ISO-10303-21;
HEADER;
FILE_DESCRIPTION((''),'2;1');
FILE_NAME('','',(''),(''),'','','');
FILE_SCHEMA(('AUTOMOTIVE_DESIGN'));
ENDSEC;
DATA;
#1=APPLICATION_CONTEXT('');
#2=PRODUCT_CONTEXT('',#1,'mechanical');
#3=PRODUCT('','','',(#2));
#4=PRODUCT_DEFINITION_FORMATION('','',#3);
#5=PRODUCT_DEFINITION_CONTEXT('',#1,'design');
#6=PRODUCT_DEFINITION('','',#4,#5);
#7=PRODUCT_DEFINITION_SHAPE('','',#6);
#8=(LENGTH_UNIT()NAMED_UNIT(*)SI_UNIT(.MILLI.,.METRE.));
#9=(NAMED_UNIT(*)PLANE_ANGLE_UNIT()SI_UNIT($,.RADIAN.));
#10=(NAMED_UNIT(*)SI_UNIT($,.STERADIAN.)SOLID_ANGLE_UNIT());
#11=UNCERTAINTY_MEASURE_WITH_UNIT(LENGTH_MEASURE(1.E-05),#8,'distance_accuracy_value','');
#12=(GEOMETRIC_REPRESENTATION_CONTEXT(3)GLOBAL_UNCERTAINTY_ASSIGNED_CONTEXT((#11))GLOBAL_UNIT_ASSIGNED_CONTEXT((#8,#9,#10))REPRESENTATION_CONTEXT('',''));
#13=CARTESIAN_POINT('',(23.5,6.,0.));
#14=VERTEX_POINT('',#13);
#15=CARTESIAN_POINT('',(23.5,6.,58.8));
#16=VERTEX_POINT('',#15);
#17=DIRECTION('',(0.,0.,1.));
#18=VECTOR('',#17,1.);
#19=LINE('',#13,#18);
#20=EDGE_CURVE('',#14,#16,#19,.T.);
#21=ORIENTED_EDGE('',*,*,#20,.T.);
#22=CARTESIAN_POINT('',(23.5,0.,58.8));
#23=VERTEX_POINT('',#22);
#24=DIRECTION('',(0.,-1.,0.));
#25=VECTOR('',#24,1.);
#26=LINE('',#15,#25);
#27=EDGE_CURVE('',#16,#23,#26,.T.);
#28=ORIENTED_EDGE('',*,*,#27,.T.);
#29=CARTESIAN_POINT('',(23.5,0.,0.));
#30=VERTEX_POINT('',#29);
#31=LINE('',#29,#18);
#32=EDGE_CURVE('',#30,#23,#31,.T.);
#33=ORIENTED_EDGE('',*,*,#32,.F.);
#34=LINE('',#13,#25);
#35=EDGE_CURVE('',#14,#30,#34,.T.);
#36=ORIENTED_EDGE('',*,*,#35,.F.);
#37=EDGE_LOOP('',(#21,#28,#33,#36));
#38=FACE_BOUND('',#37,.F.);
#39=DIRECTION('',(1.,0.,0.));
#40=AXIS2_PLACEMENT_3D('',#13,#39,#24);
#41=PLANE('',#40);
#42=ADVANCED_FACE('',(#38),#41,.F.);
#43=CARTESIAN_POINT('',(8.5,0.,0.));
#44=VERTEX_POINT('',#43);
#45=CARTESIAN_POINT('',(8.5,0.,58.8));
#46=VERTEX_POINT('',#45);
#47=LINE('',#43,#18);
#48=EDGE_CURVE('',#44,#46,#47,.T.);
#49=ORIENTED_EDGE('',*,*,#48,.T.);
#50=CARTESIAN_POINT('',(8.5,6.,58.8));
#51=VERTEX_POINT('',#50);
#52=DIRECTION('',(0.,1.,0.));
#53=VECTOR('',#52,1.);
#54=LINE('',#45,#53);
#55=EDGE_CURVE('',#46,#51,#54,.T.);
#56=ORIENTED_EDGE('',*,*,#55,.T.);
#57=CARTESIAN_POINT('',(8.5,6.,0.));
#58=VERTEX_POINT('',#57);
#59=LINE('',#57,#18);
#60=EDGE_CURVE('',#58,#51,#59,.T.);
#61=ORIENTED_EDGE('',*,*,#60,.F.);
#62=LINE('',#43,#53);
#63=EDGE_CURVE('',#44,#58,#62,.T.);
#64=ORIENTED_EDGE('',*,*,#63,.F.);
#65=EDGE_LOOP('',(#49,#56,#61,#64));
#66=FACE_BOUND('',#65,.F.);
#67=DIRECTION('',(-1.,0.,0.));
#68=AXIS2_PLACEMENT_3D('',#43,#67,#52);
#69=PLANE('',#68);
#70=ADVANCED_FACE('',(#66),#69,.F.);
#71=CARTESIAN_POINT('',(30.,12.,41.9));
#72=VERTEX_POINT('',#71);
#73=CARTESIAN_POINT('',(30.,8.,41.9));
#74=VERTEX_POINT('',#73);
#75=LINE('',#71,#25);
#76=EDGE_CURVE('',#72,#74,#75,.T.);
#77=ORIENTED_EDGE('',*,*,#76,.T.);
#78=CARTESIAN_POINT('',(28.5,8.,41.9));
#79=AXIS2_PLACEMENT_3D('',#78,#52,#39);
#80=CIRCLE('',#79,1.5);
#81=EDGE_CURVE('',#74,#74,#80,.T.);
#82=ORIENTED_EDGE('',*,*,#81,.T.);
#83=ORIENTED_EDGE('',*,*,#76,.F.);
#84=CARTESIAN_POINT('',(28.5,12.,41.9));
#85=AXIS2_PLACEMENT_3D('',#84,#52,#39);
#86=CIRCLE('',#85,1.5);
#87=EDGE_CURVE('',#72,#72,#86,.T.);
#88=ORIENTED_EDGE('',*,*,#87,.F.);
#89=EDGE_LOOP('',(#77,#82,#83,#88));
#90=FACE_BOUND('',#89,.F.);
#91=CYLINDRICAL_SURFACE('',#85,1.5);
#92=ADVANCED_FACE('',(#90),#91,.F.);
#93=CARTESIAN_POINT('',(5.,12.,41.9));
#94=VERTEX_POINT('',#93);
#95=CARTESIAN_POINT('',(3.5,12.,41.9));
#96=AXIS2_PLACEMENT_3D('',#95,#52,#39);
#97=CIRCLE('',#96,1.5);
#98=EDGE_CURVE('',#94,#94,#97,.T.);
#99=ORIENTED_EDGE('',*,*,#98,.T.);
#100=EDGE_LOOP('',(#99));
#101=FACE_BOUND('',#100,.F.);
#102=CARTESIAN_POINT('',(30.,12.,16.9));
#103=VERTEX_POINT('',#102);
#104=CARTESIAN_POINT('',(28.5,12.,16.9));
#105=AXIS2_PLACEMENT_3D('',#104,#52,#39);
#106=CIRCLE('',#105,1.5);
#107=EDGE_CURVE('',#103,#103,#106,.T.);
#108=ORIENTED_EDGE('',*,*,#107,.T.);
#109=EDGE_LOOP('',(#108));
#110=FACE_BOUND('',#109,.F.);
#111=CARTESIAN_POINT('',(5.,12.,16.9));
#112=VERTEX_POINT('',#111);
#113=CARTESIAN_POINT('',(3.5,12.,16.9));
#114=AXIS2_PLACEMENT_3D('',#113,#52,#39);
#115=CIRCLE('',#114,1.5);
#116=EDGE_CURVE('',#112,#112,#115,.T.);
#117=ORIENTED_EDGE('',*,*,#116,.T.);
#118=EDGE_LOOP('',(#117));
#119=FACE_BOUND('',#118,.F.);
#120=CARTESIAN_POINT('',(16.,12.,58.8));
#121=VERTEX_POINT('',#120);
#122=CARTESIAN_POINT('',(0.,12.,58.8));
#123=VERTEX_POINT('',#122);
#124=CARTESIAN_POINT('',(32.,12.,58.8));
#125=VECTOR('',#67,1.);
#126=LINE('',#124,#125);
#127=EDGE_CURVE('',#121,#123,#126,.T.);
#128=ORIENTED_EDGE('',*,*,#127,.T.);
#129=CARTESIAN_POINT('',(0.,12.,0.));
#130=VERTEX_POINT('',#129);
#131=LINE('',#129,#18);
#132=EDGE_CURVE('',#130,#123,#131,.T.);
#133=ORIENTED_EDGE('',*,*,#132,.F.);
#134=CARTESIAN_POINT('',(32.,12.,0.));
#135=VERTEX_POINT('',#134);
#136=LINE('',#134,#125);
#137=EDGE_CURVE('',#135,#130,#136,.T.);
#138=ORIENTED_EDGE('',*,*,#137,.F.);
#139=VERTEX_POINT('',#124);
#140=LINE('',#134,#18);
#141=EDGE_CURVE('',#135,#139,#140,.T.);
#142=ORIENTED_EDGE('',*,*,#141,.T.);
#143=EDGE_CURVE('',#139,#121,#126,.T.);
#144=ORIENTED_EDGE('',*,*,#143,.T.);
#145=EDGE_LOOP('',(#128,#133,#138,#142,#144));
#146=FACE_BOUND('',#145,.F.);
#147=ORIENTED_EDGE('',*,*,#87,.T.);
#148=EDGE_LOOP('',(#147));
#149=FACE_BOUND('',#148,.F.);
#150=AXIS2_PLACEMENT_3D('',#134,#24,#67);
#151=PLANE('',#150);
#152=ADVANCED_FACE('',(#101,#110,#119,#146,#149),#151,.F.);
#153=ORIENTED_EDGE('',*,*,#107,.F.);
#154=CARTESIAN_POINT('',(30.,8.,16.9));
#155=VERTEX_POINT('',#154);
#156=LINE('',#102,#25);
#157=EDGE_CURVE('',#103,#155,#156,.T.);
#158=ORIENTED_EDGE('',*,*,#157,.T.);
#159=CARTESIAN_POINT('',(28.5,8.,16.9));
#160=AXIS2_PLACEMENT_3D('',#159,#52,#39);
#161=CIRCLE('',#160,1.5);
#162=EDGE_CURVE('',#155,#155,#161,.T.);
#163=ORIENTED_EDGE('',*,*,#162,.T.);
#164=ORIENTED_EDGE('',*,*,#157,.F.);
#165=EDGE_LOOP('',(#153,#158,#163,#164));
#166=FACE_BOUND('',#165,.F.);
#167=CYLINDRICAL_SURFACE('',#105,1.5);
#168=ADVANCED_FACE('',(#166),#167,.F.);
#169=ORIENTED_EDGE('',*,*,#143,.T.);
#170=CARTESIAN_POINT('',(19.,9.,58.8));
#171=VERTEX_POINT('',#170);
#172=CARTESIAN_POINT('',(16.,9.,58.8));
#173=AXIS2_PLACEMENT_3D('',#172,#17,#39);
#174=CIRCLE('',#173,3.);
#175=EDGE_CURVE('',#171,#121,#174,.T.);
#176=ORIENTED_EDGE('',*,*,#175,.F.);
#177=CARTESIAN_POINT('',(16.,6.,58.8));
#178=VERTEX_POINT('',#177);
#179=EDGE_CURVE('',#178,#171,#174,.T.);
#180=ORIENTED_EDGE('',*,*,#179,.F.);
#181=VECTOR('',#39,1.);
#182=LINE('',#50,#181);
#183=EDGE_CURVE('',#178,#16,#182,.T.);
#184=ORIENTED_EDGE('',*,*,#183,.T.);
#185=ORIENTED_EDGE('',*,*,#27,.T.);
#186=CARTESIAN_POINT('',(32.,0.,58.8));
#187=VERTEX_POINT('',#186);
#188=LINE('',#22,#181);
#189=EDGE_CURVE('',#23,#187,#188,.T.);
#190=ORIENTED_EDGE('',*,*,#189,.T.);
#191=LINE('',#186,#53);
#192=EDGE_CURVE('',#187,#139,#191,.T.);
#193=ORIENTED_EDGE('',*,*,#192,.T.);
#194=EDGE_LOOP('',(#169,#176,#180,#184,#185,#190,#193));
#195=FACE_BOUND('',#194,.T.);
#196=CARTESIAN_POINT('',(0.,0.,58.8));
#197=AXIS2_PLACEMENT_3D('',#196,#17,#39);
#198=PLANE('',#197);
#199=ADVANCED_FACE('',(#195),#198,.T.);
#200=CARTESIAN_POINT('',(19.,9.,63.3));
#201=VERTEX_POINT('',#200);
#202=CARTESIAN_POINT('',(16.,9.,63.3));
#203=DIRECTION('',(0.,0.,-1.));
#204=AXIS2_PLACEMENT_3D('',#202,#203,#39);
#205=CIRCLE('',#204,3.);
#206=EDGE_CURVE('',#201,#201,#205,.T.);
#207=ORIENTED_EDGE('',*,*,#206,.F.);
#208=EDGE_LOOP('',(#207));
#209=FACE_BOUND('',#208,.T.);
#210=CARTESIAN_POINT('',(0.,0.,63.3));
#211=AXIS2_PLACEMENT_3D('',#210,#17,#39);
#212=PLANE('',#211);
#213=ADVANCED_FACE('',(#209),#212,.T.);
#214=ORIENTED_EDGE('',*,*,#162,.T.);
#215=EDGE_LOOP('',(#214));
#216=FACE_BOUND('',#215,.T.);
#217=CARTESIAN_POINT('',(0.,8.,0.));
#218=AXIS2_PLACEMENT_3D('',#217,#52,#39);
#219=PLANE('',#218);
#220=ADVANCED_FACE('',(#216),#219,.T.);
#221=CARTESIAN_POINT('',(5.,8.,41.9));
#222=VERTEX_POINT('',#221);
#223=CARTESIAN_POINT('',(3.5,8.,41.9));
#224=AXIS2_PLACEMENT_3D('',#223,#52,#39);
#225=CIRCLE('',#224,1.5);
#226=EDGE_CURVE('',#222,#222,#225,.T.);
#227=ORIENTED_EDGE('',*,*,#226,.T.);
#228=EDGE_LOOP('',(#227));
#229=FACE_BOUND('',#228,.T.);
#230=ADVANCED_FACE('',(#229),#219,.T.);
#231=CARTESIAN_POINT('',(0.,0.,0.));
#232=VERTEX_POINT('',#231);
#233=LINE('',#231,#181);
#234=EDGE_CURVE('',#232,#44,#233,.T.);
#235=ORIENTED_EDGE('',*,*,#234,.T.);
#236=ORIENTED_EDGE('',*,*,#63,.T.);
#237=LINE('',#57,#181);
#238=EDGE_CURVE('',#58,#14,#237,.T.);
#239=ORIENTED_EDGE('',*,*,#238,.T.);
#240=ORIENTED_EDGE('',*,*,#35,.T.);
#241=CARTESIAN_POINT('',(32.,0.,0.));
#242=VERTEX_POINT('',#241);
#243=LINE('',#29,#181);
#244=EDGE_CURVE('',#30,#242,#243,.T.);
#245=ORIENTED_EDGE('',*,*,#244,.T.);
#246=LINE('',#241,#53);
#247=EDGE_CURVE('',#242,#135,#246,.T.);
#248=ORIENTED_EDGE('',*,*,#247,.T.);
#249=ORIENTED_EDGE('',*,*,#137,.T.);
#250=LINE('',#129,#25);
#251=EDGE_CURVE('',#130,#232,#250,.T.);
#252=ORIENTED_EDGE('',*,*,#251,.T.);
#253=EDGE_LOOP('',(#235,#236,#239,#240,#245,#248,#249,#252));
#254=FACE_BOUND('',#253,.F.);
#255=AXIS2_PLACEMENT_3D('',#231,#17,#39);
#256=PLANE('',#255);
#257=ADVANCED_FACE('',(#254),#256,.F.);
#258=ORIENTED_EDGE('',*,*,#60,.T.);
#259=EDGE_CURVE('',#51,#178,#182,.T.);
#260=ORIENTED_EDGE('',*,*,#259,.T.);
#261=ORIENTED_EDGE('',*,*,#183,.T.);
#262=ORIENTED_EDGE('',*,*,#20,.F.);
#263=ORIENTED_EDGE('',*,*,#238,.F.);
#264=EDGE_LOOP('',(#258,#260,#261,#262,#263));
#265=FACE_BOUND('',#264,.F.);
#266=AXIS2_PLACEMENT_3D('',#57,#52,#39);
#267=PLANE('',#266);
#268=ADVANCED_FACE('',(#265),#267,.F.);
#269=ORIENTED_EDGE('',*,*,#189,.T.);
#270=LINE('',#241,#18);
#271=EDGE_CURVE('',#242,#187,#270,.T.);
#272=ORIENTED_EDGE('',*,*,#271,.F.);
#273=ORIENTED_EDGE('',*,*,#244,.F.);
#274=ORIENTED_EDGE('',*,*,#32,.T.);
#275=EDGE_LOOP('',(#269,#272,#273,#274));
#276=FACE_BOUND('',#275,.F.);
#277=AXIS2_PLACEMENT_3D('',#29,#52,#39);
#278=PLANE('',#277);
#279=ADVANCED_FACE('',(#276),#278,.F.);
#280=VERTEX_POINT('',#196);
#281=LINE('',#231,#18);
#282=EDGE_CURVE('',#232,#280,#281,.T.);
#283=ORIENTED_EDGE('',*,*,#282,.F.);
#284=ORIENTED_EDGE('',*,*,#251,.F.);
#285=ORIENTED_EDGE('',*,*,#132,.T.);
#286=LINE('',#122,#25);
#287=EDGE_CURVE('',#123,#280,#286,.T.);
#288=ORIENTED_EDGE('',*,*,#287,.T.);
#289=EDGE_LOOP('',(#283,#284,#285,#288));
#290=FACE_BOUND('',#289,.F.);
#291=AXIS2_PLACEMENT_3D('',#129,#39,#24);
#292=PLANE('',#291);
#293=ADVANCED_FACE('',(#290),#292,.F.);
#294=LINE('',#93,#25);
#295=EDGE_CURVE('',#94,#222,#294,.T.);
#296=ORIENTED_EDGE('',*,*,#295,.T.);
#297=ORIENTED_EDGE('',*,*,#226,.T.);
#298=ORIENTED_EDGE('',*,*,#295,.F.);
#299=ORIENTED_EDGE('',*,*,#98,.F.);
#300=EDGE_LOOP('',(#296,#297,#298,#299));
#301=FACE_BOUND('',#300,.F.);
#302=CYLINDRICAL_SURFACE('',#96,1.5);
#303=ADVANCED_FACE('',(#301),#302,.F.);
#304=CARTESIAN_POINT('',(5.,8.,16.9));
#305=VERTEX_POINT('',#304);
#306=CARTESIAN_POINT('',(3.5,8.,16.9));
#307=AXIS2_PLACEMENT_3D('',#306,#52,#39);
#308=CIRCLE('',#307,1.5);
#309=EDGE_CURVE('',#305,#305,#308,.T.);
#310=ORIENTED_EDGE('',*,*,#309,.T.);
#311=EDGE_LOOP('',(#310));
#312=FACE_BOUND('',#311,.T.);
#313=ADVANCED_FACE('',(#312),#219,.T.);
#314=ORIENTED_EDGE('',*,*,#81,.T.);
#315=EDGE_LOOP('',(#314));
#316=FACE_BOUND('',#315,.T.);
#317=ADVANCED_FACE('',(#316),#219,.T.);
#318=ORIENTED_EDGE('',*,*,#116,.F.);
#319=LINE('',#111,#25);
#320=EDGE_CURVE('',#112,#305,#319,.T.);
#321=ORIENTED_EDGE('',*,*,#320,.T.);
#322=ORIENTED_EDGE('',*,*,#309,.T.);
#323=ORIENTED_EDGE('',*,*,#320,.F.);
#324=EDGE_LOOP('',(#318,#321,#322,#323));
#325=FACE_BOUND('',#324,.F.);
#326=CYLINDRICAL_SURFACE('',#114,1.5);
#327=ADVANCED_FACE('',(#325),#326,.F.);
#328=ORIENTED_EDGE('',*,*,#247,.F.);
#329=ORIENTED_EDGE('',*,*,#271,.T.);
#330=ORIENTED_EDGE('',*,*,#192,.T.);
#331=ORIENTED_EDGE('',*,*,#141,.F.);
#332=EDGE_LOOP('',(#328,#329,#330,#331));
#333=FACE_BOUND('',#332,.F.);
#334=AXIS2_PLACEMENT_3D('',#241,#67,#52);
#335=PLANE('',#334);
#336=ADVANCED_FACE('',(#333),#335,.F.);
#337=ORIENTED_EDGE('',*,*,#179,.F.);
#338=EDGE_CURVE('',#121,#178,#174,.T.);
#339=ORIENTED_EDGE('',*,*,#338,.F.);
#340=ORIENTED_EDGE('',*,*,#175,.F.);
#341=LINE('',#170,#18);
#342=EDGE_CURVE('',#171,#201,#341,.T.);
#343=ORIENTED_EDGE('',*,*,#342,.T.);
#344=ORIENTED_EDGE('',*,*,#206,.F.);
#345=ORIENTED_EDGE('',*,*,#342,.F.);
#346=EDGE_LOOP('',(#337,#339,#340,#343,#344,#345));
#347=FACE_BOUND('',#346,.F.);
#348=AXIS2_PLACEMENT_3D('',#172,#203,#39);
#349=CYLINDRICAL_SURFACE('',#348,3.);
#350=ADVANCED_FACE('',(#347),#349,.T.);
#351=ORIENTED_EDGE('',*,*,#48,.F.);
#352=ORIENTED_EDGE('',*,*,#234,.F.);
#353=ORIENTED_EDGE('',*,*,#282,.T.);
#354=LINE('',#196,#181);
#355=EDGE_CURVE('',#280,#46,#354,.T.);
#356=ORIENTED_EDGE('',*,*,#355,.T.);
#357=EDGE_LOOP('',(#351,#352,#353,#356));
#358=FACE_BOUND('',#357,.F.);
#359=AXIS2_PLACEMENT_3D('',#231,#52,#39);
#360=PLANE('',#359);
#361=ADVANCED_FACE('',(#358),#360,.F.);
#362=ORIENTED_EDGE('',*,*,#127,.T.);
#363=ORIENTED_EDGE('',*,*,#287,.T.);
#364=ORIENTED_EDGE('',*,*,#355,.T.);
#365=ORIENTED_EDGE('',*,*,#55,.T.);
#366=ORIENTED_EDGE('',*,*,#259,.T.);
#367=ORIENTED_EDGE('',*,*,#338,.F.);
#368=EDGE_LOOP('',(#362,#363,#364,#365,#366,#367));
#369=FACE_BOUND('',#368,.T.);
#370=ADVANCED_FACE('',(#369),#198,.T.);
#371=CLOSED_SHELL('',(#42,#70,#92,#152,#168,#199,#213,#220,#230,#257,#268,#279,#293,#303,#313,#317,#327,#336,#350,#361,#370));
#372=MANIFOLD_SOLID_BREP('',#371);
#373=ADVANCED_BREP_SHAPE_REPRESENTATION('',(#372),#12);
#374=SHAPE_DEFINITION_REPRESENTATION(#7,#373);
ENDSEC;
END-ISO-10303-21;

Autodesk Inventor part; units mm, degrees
ref_plane "YZ Plane" through (0, 0, 0) normal (1, 0, 0) x (0, 1, 0)
ref_plane "XZ Plane" through (0, 0, 0) normal (0, 1, 0) x (-1, 0, 0)
ref_plane "XY Plane" through (0, 0, 0) normal (0, 0, 1) x (1, 0, 0)
sketch "Sketch1" plane through (0, 0, 0) normal (0, 0, 1) x (1, 0, 0)
  line L0 (0, 12) -> (0, 0)
  line L1 (0, 0) -> (8.5, 0)
  line L2 (8.5, 0) -> (8.5, 6)
  line L3 (8.5, 6) -> (23.5, 6)
  line L4 (23.5, 6) -> (23.5, 0)
  line L5 (23.5, 0) -> (32, 0)
  line L6 (32, 0) -> (32, 12)
  line L7 (32, 12) -> (0, 12)
  dimension "d0" = 32
  dimension "d1" = 12
  dimension "d2" = 8.5
  dimension "d3" = 6
extrude "Extrusion1" add sketch "Sketch1" along normal blind 58.8
sketch "Sketch2" plane through (0, 12, 0) normal (0, 1, 0) x (1, 0, 0)
  line L0 (3.5, -41.9) -> (28.5, -41.9) construction
  line L1 (28.5, -41.9) -> (28.5, -16.9) construction
  line L2 (28.5, -16.9) -> (3.5, -16.9) construction
  line L3 (3.5, -16.9) -> (3.5, -41.9) construction
  circle A0 centre (3.5, -41.9) radius 1.5
  circle A1 centre (3.5, -16.9) radius 1.5
  circle A2 centre (28.5, -41.9) radius 1.5
  circle A3 centre (28.5, -16.9) radius 1.5
  line L4 (32, -58.8) -> (0, -58.8) construction
  line L5 (32, 0) -> (0, 0) construction
  line L6 (16, -41.9) -> (16, -58.8) construction
  line L7 (16, -16.9) -> (16, 0) construction
  dimension "d6" = 3
  dimension "d7" = 25
  dimension "d8" = 25
extrude "Extrusion2" cut sketch "Sketch2" against normal blind 4
sketch "Sketch3" plane through (0, 0, 58.8) normal (0, 0, 1) x (1, 0, 0)
  line L0 (8.5, 6) -> (23.5, 6) projected
  line L1 (32, 12) -> (0, 12) projected
  circle A0 centre (16, 9) radius 3
  point P0 (0, 0)
  point P1 (16, 12)
  dimension "d11" = 6
extrude "Extrusion3" add sketch "Sketch3" along normal blind 4.5
properties part number "MGN15H-Carrier"
